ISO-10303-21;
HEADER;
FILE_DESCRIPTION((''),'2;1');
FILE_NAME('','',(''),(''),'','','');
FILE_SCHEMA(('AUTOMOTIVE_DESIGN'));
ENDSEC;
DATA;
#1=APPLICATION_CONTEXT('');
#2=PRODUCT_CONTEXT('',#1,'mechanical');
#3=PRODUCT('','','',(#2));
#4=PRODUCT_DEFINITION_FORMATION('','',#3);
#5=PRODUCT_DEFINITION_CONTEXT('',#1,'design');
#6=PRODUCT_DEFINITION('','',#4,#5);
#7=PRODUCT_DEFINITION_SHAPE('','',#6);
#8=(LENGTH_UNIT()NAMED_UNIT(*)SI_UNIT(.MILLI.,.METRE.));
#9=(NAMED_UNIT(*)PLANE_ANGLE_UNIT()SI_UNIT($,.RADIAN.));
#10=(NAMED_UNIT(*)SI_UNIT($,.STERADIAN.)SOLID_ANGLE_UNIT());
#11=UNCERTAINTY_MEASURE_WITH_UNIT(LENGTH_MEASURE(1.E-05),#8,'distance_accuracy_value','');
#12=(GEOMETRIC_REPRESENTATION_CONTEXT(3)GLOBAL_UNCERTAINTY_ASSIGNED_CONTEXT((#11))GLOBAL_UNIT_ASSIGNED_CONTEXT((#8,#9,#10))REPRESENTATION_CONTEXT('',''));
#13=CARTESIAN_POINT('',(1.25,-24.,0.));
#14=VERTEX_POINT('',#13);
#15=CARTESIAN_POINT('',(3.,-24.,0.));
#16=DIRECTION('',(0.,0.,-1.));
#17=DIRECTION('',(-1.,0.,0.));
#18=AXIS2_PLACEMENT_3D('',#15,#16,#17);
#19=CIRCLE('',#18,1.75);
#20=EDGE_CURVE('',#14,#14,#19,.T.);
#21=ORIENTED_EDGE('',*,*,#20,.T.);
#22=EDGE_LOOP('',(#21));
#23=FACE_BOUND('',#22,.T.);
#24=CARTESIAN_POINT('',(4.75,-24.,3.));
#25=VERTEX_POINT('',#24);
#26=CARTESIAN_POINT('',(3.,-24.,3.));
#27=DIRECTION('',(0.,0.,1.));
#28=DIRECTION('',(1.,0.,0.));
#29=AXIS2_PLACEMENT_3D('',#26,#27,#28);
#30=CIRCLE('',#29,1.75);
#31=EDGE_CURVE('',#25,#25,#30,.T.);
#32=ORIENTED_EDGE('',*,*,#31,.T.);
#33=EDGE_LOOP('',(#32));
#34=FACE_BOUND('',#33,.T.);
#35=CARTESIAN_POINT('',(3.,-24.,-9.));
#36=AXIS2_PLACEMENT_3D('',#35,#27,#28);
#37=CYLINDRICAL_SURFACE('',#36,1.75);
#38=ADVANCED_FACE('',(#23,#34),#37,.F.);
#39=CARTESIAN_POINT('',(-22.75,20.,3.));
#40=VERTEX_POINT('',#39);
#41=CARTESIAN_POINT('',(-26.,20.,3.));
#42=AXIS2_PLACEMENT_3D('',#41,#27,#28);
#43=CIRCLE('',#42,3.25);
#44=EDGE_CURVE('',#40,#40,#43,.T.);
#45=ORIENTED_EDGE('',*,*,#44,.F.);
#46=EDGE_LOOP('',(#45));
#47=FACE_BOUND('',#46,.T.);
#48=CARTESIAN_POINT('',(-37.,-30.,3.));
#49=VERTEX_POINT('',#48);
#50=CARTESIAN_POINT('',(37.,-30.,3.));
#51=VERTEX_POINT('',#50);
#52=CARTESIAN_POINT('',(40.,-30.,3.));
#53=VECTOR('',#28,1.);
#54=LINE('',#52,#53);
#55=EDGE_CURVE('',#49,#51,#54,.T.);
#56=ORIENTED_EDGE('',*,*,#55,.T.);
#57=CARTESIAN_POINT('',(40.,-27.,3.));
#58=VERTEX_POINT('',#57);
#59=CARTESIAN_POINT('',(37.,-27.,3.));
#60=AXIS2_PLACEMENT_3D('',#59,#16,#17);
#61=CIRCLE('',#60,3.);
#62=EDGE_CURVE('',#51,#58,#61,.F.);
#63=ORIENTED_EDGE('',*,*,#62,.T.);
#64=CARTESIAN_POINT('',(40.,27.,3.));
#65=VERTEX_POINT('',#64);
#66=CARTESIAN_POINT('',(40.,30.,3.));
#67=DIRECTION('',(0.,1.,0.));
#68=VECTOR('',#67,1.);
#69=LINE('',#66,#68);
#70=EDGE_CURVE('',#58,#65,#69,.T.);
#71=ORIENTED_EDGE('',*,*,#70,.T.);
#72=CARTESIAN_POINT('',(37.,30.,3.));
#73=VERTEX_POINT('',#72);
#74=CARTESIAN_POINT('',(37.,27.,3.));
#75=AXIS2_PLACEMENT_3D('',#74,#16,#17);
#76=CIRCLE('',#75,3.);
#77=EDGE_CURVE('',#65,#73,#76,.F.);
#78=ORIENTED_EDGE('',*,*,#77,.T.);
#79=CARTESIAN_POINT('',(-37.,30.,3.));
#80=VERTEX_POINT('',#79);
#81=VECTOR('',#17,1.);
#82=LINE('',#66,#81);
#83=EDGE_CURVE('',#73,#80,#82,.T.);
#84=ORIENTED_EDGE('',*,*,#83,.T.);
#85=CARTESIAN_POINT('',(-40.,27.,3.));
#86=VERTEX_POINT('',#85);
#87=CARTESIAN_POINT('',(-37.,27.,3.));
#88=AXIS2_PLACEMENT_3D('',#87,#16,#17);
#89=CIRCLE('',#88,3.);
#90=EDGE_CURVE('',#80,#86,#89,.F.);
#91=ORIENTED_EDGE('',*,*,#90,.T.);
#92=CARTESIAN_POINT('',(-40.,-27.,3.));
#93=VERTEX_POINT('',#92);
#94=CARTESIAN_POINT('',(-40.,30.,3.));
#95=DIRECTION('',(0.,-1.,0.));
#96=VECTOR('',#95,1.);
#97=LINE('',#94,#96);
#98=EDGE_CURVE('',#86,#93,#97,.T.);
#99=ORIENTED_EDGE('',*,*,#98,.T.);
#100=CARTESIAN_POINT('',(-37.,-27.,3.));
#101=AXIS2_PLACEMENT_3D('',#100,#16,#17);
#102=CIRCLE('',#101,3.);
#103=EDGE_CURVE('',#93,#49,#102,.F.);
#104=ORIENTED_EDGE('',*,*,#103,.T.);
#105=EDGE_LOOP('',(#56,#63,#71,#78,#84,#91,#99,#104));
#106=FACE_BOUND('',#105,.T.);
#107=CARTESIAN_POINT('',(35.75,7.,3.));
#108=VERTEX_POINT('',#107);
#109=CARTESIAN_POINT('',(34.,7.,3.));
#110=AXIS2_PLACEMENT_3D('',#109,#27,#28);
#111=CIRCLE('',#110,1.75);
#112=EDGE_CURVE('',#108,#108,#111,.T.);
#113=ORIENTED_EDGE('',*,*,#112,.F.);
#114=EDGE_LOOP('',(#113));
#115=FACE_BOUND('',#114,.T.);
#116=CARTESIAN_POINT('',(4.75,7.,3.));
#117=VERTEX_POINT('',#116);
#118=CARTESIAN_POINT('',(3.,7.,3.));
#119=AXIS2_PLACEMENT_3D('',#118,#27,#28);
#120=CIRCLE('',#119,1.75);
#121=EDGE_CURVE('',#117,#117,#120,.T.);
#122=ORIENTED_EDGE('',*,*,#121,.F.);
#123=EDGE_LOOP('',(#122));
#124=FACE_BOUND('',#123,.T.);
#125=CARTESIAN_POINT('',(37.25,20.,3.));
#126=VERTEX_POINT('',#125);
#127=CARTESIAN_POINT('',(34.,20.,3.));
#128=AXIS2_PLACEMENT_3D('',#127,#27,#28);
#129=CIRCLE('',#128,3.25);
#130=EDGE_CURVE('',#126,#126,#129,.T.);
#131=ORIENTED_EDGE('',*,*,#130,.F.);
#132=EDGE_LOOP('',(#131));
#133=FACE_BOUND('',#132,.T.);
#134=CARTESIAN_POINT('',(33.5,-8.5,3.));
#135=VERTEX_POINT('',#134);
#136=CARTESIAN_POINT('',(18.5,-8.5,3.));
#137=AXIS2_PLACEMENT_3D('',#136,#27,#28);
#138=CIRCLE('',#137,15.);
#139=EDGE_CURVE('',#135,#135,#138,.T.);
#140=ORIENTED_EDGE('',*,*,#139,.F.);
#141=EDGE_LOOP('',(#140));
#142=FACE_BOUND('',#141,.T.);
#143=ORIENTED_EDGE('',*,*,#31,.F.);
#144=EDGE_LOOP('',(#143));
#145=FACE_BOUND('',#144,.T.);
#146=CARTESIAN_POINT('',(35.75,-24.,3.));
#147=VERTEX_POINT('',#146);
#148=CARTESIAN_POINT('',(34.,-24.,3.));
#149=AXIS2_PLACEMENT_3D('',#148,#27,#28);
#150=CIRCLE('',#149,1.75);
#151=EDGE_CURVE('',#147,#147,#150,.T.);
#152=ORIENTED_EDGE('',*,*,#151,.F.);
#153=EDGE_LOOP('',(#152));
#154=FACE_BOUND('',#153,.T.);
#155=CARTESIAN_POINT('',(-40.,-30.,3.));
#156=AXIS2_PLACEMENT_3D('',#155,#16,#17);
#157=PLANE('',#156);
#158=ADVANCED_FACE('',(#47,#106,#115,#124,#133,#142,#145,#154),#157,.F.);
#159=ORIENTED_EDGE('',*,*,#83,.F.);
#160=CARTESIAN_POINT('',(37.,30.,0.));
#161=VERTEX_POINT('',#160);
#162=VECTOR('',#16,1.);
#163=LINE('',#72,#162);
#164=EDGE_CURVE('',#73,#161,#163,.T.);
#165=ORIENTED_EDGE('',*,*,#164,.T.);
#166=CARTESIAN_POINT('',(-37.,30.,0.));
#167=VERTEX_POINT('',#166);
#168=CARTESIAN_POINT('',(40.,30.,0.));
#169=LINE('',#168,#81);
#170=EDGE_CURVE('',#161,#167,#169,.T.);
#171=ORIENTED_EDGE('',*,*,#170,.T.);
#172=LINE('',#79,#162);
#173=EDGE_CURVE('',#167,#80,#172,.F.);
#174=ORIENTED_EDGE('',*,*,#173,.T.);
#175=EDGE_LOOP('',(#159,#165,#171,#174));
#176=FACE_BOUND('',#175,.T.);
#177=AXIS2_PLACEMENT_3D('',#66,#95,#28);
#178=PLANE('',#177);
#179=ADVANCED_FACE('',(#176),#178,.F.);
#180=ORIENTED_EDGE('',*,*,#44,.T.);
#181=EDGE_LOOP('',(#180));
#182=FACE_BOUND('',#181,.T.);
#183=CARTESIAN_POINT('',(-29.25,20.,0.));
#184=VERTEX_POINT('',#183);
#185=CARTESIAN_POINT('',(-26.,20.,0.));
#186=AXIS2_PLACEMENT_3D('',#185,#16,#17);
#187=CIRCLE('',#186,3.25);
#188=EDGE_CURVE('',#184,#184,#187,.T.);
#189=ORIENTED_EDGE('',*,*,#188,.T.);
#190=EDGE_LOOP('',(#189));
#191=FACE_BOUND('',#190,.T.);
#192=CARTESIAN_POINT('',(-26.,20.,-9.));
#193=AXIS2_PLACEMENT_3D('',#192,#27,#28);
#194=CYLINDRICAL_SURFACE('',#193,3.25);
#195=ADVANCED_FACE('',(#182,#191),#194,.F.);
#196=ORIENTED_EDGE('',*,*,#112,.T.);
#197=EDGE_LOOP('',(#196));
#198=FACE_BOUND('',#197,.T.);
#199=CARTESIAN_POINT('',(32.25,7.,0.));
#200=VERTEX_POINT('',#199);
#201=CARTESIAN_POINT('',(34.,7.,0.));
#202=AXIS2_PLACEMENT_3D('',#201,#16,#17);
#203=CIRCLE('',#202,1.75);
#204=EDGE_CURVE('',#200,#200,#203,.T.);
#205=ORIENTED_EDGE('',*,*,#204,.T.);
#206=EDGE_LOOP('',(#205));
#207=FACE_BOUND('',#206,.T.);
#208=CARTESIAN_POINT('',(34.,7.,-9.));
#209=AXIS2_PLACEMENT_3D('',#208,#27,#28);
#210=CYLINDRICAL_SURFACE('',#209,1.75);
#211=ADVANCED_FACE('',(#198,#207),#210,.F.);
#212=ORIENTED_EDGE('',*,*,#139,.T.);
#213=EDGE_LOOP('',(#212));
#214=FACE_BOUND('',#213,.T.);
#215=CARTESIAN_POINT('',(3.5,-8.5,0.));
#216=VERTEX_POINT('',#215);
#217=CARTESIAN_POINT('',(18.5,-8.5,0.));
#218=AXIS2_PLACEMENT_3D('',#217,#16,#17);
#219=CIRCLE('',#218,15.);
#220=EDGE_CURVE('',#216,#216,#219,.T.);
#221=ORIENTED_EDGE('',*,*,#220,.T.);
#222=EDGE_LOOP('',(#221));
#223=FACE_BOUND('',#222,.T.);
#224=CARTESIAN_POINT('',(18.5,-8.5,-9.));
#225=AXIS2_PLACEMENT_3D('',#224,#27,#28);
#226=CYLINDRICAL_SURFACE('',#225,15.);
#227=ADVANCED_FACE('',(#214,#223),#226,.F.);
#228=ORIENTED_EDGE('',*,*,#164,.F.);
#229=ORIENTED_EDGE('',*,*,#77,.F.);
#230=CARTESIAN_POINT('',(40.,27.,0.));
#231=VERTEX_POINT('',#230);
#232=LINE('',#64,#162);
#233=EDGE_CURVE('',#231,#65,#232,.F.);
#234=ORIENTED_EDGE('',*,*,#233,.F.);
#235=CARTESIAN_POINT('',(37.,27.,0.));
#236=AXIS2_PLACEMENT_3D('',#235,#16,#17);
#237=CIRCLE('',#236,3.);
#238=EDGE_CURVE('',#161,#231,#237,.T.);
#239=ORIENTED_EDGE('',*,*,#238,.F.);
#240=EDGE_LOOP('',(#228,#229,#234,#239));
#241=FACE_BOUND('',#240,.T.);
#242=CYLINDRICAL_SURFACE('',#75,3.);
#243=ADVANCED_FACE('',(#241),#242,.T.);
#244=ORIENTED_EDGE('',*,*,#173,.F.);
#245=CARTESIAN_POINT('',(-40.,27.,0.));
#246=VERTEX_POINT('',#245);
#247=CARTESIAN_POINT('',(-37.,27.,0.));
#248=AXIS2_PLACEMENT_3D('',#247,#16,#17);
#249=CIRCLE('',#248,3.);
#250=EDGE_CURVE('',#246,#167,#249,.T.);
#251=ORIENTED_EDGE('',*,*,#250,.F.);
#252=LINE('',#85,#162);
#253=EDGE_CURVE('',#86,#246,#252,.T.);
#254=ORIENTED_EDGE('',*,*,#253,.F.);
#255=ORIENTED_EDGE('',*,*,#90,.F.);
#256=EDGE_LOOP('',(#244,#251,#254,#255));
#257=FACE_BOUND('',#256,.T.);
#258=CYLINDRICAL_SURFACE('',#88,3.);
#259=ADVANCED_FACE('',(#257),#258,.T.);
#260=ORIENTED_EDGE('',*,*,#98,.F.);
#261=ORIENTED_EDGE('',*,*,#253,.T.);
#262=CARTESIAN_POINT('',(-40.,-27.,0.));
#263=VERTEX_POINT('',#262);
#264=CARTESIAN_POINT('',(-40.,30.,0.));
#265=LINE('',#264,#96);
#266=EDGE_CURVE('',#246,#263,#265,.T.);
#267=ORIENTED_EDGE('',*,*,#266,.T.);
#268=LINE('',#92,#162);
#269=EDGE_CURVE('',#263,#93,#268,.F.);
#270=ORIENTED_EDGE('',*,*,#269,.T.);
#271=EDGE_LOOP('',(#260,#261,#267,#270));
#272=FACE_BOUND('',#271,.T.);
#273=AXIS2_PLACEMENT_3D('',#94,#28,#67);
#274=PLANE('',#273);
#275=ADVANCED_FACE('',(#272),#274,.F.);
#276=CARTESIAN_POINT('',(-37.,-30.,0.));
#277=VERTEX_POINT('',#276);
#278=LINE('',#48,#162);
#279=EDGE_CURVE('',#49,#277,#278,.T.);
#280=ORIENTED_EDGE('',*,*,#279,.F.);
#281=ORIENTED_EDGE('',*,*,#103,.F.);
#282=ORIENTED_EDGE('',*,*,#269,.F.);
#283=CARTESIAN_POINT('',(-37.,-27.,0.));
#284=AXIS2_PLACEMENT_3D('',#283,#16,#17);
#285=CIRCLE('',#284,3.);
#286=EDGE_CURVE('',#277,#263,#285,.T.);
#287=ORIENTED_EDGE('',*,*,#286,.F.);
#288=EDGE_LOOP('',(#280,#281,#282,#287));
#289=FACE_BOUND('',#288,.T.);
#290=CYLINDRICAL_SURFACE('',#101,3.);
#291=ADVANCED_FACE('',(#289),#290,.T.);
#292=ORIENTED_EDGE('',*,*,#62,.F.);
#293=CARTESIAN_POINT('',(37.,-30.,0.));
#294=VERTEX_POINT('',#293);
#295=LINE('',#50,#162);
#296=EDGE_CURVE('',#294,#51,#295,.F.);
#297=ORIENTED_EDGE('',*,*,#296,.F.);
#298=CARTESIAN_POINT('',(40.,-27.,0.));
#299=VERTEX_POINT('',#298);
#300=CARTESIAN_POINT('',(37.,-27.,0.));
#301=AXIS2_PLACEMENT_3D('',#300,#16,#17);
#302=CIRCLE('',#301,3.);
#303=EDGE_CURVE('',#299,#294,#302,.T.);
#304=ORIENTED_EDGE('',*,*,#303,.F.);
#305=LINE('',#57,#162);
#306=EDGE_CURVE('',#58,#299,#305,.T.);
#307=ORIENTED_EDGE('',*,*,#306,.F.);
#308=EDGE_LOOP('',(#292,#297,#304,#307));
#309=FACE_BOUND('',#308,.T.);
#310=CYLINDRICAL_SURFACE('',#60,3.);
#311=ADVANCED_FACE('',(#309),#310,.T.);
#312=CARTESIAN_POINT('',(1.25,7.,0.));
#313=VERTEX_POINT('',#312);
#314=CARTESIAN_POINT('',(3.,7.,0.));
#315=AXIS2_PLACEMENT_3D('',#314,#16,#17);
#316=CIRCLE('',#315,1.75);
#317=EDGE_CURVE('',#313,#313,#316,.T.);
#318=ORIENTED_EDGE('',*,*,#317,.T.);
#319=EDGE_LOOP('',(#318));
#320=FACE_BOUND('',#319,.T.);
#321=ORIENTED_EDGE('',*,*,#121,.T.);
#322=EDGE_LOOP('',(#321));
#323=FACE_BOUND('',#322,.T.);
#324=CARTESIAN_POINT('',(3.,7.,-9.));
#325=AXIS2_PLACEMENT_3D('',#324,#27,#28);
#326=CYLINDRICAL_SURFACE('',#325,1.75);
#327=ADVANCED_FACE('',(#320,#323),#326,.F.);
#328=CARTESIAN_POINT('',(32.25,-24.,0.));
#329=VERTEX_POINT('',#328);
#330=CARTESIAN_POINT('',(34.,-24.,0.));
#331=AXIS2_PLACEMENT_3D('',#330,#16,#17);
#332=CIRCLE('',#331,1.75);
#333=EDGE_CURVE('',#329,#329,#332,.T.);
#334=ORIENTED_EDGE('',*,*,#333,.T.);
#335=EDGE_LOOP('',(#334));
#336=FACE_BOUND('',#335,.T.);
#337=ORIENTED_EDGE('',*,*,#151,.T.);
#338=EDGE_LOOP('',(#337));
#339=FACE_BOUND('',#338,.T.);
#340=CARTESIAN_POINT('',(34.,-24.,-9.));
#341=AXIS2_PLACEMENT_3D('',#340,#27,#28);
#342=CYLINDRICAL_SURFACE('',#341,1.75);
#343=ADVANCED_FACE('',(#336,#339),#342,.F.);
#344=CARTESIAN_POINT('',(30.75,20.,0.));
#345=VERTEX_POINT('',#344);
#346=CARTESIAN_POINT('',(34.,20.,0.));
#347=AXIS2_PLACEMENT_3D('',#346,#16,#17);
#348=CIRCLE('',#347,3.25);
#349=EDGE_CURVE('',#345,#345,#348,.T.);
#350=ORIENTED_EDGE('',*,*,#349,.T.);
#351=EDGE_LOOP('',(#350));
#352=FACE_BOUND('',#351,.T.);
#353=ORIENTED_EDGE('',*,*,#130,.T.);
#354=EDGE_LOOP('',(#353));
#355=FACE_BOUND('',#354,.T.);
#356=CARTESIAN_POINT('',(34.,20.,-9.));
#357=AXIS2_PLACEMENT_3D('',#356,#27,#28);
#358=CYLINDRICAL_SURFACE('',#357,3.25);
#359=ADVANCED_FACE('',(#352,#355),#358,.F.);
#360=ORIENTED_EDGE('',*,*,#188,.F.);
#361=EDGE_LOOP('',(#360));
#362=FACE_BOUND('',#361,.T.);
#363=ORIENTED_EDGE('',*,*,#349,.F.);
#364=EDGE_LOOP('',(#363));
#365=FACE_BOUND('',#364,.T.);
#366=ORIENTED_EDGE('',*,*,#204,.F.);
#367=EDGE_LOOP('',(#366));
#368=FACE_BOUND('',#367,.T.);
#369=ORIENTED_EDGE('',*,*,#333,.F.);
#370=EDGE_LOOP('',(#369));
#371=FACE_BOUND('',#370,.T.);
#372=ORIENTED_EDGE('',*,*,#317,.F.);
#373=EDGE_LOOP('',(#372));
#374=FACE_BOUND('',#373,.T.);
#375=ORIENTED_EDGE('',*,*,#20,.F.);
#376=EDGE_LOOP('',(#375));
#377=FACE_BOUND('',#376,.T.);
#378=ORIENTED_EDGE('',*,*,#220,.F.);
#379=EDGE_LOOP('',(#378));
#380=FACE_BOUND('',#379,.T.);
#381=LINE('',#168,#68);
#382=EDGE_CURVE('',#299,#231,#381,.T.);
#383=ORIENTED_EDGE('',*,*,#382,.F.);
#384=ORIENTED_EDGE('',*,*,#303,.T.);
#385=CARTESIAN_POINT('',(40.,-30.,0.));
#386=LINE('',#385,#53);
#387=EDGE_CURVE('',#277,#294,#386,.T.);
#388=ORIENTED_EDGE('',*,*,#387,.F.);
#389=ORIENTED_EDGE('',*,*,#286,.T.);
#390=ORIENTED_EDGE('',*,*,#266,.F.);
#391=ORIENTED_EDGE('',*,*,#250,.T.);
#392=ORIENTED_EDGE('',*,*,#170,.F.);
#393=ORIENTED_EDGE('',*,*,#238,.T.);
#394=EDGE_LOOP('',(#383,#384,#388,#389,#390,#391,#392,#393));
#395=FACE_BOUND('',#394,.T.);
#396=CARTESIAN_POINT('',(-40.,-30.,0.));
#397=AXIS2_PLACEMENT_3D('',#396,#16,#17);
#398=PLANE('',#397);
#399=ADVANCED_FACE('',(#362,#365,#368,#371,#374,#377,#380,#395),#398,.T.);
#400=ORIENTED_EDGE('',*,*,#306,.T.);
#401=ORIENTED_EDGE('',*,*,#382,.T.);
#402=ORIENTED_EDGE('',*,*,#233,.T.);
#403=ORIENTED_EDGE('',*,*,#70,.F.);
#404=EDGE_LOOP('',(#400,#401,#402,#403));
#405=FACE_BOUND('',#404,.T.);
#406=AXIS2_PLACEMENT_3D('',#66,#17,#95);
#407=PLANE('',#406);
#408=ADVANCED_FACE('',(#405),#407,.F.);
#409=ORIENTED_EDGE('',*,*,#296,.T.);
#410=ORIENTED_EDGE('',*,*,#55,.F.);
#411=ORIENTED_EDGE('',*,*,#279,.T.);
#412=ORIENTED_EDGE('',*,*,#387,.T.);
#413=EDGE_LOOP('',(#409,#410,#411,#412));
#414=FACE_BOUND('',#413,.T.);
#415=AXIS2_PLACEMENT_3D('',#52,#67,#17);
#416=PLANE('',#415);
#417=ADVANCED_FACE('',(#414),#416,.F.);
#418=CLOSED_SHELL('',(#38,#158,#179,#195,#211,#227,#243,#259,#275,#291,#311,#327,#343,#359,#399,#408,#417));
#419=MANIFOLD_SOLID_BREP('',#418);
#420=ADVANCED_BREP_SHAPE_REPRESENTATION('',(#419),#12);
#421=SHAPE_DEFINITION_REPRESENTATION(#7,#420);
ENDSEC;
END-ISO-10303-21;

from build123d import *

# Parameters (mm, degrees)
SKIZZE1_W                       = 80
SKIZZE1_H                       = 60
AUFSATZ_LINEAR_AUSTRAGEN1_DEPTH = 3
VERRUNDUNG1_R                   = 3
SKIZZE2_R                       = 1.75
SKIZZE2_R_2                     = 3.25
SKIZZE2_R_3                     = 15
SCHNITT_LINEAR_AUSTRAGEN1_DEPTH = 12


with BuildPart() as part:
    # Skizze1 → Aufsatz-Linear austragen1 (new body)
    with BuildSketch(Plane.XY):
        Rectangle(SKIZZE1_W, SKIZZE1_H)
    extrude(amount=AUFSATZ_LINEAR_AUSTRAGEN1_DEPTH)

    # Verrundung1
    verrundung1_edges = [part.edges().sort_by_distance(p)[0] for p in [
        (-40, 30, 1.5),
        (40, 30, 1.5),
        (40, -30, 1.5),
        (-40, -30, 1.5),
    ]]
    fillet(verrundung1_edges, radius=VERRUNDUNG1_R)

    # Skizze2 → Schnitt-Linear austragen1 (cut)
    with BuildSketch(Plane.XY.offset(3)):
        with Locations((3, -24)):
            Circle(SKIZZE2_R)
        with Locations((3, 7)):
            Circle(SKIZZE2_R)
        with Locations((34, 7)):
            Circle(SKIZZE2_R)
        with Locations((34, -24)):
            Circle(SKIZZE2_R)
        with Locations((34, 20)):
            Circle(SKIZZE2_R_2)
        with Locations((-26, 20)):
            Circle(SKIZZE2_R_2)
        with Locations((18.5, -8.5)):
            Circle(SKIZZE2_R_3)
    extrude(amount=-SCHNITT_LINEAR_AUSTRAGEN1_DEPTH, mode=Mode.SUBTRACT)


solid = part.part
